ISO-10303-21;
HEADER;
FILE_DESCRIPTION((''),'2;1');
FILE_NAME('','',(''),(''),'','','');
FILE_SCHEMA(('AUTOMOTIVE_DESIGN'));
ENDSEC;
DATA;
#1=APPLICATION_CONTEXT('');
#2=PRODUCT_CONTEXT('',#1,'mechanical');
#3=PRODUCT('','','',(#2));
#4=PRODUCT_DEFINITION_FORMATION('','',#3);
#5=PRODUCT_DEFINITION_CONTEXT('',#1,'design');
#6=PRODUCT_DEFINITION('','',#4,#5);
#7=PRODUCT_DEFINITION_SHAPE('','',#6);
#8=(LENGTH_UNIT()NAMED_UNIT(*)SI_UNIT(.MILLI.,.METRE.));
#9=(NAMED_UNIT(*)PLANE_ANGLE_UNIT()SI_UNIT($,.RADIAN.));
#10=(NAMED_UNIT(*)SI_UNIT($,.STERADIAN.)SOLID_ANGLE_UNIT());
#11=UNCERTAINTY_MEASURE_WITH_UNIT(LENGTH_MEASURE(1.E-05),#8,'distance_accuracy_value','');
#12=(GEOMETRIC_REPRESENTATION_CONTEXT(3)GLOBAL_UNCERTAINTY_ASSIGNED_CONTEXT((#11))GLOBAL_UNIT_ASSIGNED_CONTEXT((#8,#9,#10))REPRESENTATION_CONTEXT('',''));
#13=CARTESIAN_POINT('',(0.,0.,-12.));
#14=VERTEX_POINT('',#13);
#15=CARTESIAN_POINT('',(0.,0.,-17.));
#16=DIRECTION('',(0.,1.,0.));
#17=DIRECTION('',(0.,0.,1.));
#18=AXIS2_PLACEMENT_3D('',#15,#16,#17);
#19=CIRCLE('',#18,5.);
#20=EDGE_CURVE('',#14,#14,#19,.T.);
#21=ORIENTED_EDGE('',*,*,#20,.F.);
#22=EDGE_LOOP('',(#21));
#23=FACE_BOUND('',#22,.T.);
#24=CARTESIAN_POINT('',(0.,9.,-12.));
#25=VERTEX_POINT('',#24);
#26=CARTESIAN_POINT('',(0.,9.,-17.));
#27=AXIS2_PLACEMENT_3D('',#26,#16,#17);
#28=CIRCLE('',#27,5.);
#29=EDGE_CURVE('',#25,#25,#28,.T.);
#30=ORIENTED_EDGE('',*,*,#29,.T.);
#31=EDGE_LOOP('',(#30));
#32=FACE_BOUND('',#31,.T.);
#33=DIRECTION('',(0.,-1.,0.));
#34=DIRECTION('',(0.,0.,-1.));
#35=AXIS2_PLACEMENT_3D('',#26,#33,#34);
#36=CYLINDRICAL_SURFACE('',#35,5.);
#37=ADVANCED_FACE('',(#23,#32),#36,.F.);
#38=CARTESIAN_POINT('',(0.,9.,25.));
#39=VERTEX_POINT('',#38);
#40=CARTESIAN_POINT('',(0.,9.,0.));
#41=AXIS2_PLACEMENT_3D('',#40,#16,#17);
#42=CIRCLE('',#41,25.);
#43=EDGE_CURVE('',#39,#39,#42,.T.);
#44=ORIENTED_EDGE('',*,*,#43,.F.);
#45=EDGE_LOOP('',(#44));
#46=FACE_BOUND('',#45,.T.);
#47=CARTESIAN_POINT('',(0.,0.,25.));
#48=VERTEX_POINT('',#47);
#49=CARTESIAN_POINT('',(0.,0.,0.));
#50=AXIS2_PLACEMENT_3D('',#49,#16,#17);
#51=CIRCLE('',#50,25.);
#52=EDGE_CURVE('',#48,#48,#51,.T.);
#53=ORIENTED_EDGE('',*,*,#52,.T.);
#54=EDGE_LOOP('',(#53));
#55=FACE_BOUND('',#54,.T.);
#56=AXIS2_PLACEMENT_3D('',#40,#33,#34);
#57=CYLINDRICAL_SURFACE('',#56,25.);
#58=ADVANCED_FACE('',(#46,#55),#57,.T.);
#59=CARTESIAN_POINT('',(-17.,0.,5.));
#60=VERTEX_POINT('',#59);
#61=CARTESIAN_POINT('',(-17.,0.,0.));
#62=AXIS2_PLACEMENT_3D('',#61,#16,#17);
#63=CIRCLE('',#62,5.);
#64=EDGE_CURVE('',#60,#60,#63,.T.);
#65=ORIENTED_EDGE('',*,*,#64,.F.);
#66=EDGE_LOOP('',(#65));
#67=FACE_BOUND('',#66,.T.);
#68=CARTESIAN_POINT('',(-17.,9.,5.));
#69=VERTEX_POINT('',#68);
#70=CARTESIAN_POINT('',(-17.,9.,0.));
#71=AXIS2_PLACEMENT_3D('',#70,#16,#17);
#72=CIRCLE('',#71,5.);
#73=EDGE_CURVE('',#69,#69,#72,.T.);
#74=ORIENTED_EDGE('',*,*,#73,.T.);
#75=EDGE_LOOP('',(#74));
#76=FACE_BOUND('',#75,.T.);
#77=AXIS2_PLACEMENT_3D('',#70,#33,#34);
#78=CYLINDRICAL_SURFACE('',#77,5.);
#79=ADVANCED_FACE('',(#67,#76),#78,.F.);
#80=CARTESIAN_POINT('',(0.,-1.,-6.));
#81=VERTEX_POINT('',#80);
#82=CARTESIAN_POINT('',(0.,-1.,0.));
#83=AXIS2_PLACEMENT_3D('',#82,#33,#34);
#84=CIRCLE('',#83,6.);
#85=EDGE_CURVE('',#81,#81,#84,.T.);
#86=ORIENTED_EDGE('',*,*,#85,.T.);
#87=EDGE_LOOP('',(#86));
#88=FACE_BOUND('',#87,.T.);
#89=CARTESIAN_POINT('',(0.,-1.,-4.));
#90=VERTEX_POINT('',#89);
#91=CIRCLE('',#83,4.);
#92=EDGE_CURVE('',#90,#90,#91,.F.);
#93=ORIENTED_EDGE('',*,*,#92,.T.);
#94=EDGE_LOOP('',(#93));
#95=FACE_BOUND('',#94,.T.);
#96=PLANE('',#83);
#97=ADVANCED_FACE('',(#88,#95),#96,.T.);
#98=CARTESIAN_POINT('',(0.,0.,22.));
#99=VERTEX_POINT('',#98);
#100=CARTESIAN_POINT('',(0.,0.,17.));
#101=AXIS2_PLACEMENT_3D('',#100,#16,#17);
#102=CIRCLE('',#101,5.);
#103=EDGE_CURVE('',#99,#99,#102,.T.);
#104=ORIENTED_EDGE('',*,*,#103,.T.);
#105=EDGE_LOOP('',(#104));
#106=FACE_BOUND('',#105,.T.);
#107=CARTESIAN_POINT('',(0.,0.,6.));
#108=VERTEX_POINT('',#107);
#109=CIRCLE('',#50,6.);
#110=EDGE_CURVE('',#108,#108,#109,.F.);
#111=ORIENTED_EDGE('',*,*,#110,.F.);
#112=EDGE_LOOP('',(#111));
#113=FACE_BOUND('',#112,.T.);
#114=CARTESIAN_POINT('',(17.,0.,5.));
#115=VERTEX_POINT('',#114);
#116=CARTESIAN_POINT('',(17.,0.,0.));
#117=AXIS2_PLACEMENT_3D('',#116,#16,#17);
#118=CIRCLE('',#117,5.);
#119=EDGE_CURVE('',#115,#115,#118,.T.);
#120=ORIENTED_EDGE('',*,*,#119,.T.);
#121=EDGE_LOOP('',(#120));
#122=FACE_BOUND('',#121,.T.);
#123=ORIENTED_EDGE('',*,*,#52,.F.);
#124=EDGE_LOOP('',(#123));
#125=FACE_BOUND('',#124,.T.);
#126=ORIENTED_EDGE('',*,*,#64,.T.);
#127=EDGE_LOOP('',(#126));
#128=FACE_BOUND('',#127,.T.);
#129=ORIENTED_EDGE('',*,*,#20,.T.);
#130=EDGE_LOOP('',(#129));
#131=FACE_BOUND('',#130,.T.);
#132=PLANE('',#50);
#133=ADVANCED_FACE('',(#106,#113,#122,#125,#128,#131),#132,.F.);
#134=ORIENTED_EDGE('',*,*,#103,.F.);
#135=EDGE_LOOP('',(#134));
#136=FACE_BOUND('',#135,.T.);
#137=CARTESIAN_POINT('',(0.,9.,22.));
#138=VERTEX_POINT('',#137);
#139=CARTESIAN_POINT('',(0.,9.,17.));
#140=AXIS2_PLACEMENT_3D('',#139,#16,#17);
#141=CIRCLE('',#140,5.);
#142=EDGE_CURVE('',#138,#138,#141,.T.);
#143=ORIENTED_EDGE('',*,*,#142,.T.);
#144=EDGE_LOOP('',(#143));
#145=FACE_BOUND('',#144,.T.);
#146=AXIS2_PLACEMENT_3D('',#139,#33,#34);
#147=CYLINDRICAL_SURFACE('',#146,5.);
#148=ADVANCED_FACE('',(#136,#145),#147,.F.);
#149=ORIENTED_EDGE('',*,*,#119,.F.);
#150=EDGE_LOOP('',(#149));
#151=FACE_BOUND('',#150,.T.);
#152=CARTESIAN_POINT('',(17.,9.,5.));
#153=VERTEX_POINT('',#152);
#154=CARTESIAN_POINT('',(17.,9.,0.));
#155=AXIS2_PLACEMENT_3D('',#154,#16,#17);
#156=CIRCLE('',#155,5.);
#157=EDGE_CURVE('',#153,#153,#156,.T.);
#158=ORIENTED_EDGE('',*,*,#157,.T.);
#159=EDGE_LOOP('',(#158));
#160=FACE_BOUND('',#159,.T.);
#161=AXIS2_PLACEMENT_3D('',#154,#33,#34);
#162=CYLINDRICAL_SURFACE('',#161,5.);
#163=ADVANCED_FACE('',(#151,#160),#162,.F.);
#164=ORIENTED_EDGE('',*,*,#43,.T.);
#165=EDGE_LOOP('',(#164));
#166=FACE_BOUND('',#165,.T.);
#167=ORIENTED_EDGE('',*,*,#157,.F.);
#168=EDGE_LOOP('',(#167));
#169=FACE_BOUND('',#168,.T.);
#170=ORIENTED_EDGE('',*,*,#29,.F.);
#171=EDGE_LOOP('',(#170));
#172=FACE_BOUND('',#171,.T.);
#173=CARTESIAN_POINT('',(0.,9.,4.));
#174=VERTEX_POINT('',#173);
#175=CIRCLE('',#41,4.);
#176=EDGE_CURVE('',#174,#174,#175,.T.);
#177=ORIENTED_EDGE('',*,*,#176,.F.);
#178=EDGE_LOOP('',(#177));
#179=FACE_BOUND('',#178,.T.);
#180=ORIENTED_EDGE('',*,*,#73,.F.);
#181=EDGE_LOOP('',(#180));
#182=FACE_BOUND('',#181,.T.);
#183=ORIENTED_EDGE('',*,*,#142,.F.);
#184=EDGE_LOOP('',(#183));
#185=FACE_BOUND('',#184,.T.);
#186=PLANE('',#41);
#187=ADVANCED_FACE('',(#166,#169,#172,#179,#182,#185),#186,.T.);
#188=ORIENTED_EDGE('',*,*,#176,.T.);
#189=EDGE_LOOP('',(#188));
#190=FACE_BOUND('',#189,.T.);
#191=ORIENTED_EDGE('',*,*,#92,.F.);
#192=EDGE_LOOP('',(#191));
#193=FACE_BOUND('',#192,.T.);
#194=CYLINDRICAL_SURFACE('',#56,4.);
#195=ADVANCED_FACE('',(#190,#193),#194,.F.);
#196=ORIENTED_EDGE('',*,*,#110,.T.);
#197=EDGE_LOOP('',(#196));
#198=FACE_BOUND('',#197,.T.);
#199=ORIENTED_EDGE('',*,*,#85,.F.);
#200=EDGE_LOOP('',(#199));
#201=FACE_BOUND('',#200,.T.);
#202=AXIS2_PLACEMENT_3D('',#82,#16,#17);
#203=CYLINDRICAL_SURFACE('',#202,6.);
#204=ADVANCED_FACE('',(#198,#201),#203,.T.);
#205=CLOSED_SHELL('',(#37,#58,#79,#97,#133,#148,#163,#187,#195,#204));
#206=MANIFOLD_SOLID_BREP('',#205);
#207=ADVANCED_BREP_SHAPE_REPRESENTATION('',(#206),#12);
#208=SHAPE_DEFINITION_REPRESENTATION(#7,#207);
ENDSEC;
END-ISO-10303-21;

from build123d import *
from build123d.topology import SkipClean

# Parameters (mm, degrees)
SKETCH1_R           = 25
SKETCH1_R_2         = 4
SKETCH1_R_3         = 5
BOSS_EXTRUDE1_DEPTH = 9
BOSS_EXTRUDE2_START = 1
SKETCH2_R           = 6
SKETCH2_R_2         = 4
BOSS_EXTRUDE2_DEPTH = 1


with BuildPart() as part:
    # Sketch1 → Boss-Extrude1 (new body)
    with BuildSketch(Plane(origin=(0, 0, 0), x_dir=(1, 0, 0), z_dir=(0, 1, 0))):
        with Locations(Location((0, 0, 0), (0, 0, 270))):
            Circle(SKETCH1_R)
        with Locations(Location((0, 0, 0), (0, 0, 270))):
            Circle(SKETCH1_R_2, mode=Mode.SUBTRACT)
        with Locations(Location((0, 17, 0), (0, 0, 270))):
            Circle(SKETCH1_R_3, mode=Mode.SUBTRACT)
        with Locations(Location((17, 0, 0), (0, 0, 270))):
            Circle(SKETCH1_R_3, mode=Mode.SUBTRACT)
        with Locations(Location((0, -17, 0), (0, 0, 270))):
            Circle(SKETCH1_R_3, mode=Mode.SUBTRACT)
        with Locations(Location((-17, 0, 0), (0, 0, 270))):
            Circle(SKETCH1_R_3, mode=Mode.SUBTRACT)
    extrude(amount=BOSS_EXTRUDE1_DEPTH)

    # Sketch2 → Boss-Extrude2 (add)
    with SkipClean():  # the faces are left unmerged after this step: merging them gives an invalid solid
        with BuildSketch(Plane(origin=(0, 0, 0), x_dir=(-1, 0, 0), z_dir=(0, -1, 0)).offset(BOSS_EXTRUDE2_START)):
            with Locations(Location((0, 0, 0), (0, 0, 270))):
                Circle(SKETCH2_R)
            with Locations(Location((0, 0, 0), (0, 0, 90))):
                Circle(SKETCH2_R_2, mode=Mode.SUBTRACT)
        extrude(amount=-BOSS_EXTRUDE2_DEPTH)


solid = part.part
